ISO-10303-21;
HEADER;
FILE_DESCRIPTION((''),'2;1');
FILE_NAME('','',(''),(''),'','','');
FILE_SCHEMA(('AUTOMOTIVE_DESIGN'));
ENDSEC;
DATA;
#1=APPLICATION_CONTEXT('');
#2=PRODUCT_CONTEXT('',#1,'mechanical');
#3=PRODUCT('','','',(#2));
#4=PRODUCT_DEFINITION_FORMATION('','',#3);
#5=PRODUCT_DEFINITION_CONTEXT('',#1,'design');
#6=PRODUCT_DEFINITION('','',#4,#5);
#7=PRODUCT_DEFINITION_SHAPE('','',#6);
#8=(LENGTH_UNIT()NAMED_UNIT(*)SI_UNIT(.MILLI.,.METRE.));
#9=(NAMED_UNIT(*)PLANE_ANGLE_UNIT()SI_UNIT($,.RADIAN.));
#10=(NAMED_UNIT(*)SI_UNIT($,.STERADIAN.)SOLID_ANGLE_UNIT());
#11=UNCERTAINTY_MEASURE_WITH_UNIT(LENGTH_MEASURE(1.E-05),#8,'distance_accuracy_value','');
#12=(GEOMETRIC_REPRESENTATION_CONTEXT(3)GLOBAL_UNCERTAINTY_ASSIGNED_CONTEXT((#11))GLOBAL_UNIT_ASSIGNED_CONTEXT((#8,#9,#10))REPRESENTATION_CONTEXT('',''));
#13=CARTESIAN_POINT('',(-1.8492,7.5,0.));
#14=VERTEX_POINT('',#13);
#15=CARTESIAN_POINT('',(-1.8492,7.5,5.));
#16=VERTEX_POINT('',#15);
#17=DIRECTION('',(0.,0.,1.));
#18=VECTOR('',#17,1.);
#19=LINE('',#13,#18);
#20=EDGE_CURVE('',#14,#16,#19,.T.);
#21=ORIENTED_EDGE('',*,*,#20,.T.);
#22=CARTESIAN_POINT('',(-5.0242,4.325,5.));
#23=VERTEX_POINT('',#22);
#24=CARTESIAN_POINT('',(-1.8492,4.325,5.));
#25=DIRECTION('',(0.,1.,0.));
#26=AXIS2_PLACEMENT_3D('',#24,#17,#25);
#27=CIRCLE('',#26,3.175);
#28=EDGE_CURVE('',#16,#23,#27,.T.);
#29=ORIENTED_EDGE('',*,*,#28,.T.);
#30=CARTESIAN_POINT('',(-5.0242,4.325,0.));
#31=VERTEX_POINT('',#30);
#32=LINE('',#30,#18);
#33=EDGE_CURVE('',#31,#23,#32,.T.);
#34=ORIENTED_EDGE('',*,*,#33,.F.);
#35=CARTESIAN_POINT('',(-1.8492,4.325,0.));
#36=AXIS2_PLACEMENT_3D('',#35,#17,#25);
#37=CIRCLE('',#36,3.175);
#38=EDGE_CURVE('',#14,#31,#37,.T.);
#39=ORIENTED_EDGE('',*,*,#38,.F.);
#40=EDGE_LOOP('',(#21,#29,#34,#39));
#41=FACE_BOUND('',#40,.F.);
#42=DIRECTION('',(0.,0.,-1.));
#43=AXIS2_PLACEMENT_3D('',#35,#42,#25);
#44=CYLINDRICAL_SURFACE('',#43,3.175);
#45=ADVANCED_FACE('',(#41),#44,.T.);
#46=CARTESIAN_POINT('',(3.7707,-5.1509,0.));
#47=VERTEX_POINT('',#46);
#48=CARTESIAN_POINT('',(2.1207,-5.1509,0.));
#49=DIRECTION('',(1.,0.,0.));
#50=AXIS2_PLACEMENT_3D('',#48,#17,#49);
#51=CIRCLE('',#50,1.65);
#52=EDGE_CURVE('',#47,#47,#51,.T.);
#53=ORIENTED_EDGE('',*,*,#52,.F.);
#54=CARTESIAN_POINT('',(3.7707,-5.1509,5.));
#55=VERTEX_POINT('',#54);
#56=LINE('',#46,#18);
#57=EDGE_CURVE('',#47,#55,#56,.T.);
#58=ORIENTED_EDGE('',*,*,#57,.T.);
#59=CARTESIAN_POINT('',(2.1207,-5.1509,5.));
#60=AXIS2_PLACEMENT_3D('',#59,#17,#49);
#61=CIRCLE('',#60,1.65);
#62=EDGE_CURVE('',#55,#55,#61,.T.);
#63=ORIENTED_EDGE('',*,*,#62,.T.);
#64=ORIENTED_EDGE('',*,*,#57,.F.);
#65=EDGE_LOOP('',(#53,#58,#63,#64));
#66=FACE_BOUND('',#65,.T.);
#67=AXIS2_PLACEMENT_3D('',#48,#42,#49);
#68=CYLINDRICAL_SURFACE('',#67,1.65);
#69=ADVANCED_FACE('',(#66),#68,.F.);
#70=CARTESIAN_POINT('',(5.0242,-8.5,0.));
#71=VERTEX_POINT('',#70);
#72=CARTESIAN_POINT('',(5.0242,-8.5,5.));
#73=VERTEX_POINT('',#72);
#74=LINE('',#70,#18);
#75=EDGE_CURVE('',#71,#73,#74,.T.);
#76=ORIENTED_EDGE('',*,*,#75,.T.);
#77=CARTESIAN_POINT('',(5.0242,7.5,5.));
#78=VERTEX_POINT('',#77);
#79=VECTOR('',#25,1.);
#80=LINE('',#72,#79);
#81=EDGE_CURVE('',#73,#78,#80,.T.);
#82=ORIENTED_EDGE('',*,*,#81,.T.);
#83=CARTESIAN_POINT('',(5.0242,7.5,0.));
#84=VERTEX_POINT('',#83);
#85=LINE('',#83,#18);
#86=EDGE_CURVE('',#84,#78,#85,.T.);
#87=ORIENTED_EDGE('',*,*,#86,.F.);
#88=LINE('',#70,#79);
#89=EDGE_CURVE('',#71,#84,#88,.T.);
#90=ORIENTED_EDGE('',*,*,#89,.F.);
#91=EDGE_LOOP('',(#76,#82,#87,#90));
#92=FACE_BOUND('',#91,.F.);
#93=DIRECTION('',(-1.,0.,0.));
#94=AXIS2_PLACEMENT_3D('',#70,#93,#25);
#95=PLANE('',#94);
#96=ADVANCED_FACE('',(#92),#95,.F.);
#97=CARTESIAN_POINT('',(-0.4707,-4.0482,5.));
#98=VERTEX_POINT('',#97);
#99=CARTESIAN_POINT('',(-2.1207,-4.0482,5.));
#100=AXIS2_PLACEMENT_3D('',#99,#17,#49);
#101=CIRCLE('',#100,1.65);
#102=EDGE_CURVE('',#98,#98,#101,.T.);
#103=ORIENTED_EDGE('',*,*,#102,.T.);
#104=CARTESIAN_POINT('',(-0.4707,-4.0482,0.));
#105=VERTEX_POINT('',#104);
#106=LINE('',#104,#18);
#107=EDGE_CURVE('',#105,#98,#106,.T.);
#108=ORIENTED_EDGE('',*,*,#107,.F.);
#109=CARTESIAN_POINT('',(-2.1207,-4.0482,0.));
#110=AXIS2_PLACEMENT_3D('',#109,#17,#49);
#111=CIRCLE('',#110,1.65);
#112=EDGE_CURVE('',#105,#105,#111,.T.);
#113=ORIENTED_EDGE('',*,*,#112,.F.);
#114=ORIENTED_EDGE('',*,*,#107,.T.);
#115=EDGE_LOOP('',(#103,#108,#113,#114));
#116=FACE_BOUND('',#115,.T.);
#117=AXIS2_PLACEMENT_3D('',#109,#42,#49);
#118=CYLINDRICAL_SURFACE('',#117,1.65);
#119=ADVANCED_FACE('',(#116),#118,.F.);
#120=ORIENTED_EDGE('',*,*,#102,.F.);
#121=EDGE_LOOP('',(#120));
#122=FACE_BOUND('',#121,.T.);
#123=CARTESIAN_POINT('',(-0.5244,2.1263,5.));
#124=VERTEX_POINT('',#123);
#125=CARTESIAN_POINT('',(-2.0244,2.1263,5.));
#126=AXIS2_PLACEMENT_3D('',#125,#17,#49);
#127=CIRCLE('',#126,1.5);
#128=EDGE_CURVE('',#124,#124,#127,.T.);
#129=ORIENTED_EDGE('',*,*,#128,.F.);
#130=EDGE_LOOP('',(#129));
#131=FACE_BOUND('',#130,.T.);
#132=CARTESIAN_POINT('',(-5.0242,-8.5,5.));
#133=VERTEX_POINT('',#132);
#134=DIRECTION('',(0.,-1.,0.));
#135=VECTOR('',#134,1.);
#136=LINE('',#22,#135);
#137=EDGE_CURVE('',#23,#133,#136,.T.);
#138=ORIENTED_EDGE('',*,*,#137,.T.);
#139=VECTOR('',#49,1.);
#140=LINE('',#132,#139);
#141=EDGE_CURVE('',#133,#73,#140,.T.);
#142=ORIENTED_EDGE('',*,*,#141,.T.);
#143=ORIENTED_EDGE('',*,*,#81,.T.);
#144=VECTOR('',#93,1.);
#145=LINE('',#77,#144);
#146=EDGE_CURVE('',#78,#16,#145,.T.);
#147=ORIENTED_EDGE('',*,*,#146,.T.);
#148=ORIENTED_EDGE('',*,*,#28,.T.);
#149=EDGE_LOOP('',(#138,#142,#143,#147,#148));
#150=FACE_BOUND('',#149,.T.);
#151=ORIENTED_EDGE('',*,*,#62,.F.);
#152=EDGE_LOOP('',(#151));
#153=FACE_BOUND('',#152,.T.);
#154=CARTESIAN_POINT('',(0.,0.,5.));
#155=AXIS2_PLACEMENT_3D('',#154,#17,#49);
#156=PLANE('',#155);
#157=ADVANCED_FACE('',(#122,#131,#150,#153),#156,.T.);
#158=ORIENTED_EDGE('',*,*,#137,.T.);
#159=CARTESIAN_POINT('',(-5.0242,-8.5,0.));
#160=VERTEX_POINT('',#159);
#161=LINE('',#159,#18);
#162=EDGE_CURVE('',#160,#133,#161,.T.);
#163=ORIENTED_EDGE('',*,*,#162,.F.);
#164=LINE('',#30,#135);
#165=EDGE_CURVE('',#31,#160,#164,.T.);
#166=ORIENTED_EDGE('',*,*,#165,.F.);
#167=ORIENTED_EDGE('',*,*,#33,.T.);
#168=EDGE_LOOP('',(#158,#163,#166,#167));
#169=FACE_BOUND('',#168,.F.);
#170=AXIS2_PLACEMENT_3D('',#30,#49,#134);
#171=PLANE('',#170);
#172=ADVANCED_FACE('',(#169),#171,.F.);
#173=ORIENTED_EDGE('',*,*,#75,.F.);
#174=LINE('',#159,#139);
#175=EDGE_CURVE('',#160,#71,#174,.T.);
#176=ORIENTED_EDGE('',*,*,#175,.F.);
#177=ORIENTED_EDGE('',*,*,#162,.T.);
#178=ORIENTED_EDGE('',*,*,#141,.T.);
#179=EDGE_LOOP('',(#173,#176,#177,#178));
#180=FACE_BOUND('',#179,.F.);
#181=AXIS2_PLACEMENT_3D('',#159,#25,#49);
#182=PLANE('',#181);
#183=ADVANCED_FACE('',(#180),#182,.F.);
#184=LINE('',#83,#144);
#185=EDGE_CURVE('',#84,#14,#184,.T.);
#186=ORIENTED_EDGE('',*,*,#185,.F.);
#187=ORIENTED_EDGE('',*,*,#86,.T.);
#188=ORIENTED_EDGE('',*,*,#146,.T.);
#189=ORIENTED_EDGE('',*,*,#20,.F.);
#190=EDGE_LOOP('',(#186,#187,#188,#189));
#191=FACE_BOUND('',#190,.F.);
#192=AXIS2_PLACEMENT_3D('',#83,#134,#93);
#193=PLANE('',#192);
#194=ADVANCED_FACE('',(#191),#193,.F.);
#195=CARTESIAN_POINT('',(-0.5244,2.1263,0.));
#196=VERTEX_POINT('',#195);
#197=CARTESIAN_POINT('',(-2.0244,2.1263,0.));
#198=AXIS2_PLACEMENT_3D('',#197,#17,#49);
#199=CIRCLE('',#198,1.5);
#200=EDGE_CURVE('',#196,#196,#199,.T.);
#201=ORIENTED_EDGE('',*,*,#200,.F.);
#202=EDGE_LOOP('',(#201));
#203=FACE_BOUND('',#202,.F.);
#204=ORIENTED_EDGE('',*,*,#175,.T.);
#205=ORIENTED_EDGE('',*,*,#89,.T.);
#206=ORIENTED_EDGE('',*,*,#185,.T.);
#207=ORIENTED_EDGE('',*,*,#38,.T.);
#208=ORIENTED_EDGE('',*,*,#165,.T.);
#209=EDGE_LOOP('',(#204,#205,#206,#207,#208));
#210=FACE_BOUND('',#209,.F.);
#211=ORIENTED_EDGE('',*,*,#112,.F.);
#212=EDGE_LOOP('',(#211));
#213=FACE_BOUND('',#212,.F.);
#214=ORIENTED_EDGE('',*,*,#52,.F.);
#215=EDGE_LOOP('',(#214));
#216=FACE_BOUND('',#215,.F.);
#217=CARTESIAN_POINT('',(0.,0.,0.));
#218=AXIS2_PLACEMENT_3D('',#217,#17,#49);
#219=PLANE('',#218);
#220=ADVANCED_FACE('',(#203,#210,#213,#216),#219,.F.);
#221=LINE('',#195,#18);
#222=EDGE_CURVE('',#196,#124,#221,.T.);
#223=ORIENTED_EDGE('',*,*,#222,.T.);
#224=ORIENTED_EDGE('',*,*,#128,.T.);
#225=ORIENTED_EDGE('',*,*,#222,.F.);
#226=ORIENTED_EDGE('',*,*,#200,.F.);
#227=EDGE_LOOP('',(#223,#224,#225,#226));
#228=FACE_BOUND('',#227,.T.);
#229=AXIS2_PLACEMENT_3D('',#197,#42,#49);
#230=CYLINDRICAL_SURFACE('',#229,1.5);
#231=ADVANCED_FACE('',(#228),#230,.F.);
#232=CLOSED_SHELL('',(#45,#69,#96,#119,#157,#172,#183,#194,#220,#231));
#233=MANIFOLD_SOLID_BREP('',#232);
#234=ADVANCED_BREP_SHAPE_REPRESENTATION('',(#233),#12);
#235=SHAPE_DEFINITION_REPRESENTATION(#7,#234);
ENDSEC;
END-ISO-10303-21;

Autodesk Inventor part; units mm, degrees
ref_plane "YZ Plane" through (0, 0, 0) normal (1, 0, 0) x (0, 1, 0)
ref_plane "XZ Plane" through (0, 0, 0) normal (0, 1, 0) x (-1, 0, 0)
ref_plane "XY Plane" through (0, 0, 0) normal (0, 0, 1) x (1, 0, 0)
sketch "Эскиз1" plane through (0, 0, 0) normal (0, 0, 1) x (1, 0, 0)
  circle A0 centre (-2.1207, -4.0482) radius 1.65
  circle A1 centre (2.1207, -5.1509) radius 1.65
  line L0 (-5.0242, 4.325) -> (-5.0242, -8.5)
  line L1 (5.0242, -8.5) -> (5.0242, 7.5)
  line L2 (5.0242, 7.5) -> (-1.8492, 7.5)
  circle A2 centre (-2.0244, 2.1263) radius 1.5
  arc A3 (-1.8492, 7.5) -> (-5.0242, 4.325) centre (-1.8492, 4.325) ccw
  line L3 (-5.0242, -8.5) -> (5.0242, -8.5)
  dimension "d0" = 3.175
  dimension "d1" = 3.3
  dimension "d2" = 3
  dimension "d3" = 3.3
extrude "Выдавливание1" add sketch "Эскиз1" along normal blind 5
properties part number "gates_top_holder"
